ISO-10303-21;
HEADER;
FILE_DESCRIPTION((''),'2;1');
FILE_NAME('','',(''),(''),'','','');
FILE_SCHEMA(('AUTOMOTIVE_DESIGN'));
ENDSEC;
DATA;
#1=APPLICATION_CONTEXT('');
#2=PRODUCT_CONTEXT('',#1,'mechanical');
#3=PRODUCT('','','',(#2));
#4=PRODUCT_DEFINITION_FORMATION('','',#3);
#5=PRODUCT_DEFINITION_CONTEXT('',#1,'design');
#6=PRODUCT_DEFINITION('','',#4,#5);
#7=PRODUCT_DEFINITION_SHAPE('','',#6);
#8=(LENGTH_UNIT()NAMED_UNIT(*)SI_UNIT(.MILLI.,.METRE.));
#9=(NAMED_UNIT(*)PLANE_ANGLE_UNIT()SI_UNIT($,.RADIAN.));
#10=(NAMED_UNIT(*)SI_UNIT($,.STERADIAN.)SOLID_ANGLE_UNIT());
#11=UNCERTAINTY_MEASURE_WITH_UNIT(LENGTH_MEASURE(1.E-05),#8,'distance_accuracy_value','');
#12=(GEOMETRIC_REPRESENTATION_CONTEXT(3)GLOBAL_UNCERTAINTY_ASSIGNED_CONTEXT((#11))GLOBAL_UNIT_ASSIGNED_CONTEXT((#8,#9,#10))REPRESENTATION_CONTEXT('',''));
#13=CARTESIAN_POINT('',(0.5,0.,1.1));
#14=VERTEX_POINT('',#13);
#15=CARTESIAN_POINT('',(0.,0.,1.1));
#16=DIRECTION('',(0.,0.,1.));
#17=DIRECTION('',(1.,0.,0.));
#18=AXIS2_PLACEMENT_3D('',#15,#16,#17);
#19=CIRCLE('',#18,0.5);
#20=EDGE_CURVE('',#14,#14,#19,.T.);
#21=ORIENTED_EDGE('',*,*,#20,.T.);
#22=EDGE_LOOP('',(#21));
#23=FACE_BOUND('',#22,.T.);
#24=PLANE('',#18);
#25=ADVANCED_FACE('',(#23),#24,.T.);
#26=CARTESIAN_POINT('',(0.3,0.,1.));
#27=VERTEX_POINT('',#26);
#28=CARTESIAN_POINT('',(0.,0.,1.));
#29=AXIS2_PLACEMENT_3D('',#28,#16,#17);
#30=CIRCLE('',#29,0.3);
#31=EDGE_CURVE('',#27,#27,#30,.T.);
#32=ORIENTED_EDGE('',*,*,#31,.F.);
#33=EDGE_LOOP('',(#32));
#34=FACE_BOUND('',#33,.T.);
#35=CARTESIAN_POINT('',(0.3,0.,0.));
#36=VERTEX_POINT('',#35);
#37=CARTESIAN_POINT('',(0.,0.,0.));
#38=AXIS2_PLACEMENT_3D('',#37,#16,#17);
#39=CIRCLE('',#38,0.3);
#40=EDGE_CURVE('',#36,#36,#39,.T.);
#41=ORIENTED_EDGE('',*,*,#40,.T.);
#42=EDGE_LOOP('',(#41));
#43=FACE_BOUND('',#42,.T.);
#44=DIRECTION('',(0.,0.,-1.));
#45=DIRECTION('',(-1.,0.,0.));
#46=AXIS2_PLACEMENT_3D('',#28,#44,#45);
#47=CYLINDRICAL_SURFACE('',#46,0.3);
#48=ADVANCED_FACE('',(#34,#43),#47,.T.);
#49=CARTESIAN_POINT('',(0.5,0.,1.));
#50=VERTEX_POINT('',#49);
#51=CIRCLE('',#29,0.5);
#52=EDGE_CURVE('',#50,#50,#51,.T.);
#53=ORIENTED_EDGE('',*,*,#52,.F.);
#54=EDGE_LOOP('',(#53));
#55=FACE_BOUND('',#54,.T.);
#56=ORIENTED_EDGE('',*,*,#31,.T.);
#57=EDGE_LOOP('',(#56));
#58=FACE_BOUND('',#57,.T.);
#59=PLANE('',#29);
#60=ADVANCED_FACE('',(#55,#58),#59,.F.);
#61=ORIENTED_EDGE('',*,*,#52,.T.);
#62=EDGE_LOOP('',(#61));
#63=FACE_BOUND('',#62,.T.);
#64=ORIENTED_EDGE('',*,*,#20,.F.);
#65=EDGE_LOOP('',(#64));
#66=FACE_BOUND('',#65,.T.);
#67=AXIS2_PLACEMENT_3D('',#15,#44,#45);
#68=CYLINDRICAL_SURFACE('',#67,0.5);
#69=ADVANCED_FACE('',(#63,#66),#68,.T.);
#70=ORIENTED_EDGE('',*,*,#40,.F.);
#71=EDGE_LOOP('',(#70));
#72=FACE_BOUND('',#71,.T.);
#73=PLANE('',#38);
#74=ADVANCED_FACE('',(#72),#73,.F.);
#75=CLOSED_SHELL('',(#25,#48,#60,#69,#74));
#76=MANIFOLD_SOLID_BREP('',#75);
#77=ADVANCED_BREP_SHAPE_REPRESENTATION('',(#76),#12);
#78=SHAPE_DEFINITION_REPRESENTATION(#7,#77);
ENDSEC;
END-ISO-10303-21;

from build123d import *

# Parameters (mm, degrees)
SKETCH_1_R      = 0.3
EXTRUDE_1_DEPTH = 1
SKETCH_2_R      = 0.5
EXTRUDE_2_DEPTH = 0.1


with BuildPart() as part:
    # 草图1 → 凸台-拉伸1 (new body)
    with BuildSketch(Plane.XY):
        Circle(SKETCH_1_R)
    extrude(amount=EXTRUDE_1_DEPTH)

    # 草图2 → 凸台-拉伸2 (add)
    with BuildSketch(Plane.XY.offset(1)):
        Circle(SKETCH_2_R)
    extrude(amount=EXTRUDE_2_DEPTH)


solid = part.part
